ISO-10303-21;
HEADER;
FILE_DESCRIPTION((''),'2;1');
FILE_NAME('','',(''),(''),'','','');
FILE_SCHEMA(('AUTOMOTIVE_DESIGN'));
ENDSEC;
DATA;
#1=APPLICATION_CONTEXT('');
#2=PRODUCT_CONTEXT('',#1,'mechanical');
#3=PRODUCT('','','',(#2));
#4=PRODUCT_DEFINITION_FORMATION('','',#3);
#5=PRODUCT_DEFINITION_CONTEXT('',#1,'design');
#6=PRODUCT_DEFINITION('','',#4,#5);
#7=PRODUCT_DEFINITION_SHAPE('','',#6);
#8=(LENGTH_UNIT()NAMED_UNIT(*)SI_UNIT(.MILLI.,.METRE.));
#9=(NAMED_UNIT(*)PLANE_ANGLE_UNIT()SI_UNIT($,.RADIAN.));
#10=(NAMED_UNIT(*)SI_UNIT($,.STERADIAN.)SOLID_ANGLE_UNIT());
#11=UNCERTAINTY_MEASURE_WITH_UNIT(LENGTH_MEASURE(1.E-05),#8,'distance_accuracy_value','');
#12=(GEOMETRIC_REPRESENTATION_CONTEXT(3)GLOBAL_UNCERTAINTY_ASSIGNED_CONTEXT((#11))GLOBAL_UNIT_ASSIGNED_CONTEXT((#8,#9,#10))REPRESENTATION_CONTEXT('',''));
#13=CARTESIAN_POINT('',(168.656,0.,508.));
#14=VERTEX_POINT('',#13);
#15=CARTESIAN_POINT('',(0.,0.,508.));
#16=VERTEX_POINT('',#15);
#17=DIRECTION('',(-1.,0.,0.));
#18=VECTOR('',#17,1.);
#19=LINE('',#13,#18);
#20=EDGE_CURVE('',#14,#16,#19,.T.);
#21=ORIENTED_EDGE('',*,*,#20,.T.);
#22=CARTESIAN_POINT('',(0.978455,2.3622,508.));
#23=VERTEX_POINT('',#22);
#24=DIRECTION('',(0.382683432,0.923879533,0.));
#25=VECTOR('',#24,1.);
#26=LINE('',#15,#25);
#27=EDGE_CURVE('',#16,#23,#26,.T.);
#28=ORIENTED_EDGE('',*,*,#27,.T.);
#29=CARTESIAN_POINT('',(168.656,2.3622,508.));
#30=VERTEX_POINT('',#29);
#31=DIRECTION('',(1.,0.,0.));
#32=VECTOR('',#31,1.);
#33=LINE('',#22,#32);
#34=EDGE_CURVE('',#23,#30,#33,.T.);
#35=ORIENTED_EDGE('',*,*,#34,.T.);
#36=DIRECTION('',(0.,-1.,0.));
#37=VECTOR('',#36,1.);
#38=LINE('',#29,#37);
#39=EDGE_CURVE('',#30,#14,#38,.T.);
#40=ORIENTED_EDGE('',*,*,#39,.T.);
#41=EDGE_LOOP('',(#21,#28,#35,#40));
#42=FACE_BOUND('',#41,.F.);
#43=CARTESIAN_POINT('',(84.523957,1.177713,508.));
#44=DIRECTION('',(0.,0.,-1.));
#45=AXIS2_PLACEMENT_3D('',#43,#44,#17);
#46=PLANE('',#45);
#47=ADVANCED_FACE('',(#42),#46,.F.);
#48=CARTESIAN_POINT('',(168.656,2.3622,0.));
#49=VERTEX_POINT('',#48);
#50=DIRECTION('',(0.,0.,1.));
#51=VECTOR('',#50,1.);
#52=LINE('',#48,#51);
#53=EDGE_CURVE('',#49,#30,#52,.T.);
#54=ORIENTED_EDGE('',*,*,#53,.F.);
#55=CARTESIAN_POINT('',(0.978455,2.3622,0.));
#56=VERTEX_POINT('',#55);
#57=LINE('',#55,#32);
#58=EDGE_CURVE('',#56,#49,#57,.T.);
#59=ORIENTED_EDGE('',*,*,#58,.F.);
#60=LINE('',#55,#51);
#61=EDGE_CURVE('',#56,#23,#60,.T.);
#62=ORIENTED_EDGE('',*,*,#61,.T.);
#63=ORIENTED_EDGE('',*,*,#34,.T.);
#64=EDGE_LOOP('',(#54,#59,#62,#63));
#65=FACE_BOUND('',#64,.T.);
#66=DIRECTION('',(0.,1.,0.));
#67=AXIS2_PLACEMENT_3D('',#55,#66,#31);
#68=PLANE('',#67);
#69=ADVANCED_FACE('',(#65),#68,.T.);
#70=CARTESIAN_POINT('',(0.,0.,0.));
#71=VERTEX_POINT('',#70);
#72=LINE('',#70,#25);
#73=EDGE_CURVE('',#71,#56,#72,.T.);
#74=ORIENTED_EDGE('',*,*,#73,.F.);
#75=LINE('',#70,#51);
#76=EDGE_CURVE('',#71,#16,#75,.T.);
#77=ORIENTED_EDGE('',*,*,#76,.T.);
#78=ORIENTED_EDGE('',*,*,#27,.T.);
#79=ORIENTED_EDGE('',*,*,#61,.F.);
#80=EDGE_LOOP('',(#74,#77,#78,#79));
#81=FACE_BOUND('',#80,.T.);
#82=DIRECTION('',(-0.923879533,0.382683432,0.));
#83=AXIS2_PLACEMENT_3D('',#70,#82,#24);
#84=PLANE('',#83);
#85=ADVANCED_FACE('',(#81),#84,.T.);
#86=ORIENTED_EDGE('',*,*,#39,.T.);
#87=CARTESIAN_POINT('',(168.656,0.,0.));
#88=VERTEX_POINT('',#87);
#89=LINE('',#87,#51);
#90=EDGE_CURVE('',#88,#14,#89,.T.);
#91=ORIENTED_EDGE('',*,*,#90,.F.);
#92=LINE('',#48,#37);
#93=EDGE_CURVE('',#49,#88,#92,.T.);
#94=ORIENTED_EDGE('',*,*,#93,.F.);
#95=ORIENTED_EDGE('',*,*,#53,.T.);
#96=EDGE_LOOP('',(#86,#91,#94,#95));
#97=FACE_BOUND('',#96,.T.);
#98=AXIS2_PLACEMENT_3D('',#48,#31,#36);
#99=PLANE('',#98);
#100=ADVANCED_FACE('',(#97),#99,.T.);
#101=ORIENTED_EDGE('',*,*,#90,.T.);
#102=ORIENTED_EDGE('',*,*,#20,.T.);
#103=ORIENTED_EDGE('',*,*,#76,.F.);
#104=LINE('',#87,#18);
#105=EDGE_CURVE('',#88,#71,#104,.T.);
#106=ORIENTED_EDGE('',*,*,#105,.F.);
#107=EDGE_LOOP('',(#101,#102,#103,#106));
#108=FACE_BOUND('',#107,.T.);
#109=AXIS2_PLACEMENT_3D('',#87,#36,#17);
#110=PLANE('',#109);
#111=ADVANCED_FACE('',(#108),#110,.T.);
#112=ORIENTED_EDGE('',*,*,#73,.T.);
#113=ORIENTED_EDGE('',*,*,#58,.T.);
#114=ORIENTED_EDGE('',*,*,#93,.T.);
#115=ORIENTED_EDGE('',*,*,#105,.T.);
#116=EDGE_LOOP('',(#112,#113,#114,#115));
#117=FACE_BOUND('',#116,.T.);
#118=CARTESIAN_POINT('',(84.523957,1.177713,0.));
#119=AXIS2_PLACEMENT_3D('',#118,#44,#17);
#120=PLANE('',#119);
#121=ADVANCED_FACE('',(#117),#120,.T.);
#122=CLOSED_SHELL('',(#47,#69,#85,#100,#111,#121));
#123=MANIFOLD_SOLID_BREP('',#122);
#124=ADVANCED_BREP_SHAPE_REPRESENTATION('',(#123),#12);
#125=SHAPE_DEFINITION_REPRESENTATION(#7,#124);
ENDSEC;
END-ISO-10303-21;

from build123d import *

# Parameters (mm, degrees)
BOSS_EXTRUDE1_DEPTH = 508


with BuildPart() as part:
    # Sketch1 → Boss-Extrude1 (new body)
    with BuildSketch(Plane.XY):
        Polygon((0, 0), (0.978455277, 2.3622), (168.656, 2.3622), (168.656, 0), align=None)
    extrude(amount=BOSS_EXTRUDE1_DEPTH)


solid = part.part
